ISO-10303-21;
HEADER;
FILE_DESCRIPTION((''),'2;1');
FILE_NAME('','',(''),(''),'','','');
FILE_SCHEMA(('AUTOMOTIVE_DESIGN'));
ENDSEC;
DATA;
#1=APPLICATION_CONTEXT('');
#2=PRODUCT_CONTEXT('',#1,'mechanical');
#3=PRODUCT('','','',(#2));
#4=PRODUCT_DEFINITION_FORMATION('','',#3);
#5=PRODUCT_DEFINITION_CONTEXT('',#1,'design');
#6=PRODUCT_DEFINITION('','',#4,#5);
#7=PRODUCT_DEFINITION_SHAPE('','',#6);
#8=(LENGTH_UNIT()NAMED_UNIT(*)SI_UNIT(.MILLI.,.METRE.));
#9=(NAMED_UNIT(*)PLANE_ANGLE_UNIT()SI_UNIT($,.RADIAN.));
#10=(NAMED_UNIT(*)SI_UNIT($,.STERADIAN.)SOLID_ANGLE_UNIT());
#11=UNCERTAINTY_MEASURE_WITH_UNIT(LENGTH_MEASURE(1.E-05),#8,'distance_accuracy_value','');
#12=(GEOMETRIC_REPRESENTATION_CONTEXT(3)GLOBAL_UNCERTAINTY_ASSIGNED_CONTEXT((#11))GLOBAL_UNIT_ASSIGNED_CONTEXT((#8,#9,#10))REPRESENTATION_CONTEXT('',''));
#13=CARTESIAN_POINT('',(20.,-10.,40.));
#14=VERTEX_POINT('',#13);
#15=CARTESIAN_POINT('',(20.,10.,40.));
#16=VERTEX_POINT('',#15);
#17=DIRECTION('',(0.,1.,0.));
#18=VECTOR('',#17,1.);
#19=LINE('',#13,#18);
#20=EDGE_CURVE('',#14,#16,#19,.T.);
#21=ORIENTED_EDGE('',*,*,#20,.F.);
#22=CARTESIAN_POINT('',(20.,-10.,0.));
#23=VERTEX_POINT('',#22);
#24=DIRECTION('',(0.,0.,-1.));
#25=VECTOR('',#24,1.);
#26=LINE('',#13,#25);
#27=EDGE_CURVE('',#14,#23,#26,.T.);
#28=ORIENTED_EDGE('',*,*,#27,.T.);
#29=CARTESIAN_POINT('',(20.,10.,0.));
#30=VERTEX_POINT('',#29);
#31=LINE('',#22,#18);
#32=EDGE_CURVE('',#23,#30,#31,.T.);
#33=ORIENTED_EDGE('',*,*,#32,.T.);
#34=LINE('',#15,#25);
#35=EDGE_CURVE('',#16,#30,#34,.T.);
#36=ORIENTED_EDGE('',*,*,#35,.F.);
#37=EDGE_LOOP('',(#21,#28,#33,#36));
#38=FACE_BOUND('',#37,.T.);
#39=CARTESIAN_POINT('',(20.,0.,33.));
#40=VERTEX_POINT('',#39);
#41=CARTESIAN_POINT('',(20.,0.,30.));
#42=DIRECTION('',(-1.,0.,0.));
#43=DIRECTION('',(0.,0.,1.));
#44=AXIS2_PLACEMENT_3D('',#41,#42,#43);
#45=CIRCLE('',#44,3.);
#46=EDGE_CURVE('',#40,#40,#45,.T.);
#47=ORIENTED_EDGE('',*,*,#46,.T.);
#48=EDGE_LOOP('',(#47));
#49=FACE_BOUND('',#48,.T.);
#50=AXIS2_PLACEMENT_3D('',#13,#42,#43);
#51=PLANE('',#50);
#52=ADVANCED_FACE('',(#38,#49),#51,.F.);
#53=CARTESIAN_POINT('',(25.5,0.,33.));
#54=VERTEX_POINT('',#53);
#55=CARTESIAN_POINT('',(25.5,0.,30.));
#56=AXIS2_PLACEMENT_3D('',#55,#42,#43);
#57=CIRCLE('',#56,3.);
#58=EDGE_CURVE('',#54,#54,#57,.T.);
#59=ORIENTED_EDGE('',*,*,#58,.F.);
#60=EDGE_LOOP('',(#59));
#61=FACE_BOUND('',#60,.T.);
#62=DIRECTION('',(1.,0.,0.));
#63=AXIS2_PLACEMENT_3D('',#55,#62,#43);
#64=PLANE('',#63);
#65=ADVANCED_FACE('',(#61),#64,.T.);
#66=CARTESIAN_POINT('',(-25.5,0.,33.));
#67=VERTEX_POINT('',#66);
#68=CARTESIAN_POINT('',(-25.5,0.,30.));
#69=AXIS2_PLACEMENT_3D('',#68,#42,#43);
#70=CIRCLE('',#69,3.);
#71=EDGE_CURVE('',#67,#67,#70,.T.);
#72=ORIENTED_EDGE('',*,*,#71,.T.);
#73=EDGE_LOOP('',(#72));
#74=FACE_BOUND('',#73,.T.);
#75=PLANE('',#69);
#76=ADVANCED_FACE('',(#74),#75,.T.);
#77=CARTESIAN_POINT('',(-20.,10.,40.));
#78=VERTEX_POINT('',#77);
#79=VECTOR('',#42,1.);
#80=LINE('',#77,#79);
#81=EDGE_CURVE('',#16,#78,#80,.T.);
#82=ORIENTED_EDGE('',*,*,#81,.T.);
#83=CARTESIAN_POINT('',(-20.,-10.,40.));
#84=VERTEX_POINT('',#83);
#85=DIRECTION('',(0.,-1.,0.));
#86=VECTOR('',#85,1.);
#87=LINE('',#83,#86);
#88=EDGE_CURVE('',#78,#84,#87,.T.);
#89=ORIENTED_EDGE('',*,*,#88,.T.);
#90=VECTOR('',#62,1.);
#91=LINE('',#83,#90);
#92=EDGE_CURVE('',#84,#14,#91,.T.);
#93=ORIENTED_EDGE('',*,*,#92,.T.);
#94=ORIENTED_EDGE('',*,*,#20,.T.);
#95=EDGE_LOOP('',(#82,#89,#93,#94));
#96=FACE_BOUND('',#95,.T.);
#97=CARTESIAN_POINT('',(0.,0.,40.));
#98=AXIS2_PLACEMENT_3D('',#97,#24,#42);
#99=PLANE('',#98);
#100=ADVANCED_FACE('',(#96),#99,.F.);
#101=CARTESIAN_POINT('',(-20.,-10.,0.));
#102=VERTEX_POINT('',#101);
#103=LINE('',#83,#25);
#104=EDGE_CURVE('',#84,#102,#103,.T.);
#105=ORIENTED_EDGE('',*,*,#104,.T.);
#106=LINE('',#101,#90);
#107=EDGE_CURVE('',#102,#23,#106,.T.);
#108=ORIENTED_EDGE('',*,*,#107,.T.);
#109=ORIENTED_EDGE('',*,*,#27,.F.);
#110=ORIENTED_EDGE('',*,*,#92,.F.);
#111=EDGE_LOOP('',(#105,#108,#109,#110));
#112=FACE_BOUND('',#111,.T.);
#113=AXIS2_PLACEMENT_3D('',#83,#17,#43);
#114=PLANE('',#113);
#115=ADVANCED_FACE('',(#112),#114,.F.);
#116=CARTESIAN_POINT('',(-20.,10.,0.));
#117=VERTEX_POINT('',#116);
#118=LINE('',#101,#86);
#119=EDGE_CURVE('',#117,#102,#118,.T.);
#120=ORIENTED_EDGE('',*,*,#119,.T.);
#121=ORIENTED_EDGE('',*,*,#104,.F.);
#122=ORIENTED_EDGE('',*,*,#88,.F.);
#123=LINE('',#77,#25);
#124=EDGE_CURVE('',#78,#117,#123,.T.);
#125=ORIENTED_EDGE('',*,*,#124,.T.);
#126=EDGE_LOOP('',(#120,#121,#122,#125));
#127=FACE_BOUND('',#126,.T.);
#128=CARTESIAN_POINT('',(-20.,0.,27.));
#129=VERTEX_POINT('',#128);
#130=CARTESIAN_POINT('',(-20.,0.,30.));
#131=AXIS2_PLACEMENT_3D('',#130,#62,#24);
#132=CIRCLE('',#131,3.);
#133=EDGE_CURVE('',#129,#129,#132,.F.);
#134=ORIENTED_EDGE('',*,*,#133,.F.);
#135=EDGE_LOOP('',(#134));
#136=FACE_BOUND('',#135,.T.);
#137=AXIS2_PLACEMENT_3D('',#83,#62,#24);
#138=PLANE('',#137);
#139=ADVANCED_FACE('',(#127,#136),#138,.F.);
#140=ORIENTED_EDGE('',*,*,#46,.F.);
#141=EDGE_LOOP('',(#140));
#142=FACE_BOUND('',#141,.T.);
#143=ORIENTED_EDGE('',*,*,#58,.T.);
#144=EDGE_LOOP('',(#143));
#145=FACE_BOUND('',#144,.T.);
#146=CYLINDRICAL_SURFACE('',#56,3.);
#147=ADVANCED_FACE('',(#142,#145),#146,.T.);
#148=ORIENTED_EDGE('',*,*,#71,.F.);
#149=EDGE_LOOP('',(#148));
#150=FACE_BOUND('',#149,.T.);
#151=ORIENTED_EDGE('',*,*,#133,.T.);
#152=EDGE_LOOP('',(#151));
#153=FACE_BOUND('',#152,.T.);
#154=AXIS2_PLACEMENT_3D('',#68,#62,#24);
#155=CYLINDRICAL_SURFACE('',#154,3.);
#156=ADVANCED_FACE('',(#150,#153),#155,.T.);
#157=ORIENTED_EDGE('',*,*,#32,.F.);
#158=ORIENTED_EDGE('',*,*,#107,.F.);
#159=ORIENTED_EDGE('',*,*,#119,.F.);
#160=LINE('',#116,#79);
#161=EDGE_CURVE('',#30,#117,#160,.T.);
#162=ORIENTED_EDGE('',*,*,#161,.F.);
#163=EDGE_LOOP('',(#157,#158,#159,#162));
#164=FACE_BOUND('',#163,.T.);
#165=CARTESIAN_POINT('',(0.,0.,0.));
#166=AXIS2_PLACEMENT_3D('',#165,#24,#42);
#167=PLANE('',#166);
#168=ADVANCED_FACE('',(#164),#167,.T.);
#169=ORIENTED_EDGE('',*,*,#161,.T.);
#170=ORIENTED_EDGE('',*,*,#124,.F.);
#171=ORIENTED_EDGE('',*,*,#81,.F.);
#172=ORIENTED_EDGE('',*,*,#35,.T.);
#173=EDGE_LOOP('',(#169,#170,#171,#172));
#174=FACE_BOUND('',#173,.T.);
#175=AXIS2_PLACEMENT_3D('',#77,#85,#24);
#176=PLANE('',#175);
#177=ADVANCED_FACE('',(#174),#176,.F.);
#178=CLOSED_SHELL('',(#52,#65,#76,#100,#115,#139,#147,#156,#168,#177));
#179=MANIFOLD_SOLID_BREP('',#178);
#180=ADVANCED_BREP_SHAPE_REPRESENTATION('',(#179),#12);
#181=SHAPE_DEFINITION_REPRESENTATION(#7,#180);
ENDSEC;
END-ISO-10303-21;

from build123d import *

# Parameters (mm, degrees)
CROQUIS1_W              = 40
CROQUIS1_H              = 20
SALIENTE_EXTRUIR1_DEPTH = 40
CROQUIS2_R              = 3
SALIENTE_EXTRUIR2_DEPTH = 5.5


with BuildPart() as part:
    # Croquis1 → Saliente-Extruir1 (new body)
    with BuildSketch(Plane.XY):
        Rectangle(CROQUIS1_W, CROQUIS1_H)
    extrude(amount=SALIENTE_EXTRUIR1_DEPTH)

    # Croquis2 → Saliente-Extruir2 (add)
    with BuildSketch(Plane.ZY.offset(20)):
        with Locations(Location((30, 0, 0), (0, 0, 180))):
            Circle(CROQUIS2_R)
    saliente_extruir2 = extrude(amount=SALIENTE_EXTRUIR2_DEPTH)

    # Simetría1: Saliente-Extruir2 across plane
    add(saliente_extruir2.mirror(Plane(origin=(0, 0, 0), x_dir=(0, 0, 1), z_dir=(1, 0, 0))))


solid = part.part
